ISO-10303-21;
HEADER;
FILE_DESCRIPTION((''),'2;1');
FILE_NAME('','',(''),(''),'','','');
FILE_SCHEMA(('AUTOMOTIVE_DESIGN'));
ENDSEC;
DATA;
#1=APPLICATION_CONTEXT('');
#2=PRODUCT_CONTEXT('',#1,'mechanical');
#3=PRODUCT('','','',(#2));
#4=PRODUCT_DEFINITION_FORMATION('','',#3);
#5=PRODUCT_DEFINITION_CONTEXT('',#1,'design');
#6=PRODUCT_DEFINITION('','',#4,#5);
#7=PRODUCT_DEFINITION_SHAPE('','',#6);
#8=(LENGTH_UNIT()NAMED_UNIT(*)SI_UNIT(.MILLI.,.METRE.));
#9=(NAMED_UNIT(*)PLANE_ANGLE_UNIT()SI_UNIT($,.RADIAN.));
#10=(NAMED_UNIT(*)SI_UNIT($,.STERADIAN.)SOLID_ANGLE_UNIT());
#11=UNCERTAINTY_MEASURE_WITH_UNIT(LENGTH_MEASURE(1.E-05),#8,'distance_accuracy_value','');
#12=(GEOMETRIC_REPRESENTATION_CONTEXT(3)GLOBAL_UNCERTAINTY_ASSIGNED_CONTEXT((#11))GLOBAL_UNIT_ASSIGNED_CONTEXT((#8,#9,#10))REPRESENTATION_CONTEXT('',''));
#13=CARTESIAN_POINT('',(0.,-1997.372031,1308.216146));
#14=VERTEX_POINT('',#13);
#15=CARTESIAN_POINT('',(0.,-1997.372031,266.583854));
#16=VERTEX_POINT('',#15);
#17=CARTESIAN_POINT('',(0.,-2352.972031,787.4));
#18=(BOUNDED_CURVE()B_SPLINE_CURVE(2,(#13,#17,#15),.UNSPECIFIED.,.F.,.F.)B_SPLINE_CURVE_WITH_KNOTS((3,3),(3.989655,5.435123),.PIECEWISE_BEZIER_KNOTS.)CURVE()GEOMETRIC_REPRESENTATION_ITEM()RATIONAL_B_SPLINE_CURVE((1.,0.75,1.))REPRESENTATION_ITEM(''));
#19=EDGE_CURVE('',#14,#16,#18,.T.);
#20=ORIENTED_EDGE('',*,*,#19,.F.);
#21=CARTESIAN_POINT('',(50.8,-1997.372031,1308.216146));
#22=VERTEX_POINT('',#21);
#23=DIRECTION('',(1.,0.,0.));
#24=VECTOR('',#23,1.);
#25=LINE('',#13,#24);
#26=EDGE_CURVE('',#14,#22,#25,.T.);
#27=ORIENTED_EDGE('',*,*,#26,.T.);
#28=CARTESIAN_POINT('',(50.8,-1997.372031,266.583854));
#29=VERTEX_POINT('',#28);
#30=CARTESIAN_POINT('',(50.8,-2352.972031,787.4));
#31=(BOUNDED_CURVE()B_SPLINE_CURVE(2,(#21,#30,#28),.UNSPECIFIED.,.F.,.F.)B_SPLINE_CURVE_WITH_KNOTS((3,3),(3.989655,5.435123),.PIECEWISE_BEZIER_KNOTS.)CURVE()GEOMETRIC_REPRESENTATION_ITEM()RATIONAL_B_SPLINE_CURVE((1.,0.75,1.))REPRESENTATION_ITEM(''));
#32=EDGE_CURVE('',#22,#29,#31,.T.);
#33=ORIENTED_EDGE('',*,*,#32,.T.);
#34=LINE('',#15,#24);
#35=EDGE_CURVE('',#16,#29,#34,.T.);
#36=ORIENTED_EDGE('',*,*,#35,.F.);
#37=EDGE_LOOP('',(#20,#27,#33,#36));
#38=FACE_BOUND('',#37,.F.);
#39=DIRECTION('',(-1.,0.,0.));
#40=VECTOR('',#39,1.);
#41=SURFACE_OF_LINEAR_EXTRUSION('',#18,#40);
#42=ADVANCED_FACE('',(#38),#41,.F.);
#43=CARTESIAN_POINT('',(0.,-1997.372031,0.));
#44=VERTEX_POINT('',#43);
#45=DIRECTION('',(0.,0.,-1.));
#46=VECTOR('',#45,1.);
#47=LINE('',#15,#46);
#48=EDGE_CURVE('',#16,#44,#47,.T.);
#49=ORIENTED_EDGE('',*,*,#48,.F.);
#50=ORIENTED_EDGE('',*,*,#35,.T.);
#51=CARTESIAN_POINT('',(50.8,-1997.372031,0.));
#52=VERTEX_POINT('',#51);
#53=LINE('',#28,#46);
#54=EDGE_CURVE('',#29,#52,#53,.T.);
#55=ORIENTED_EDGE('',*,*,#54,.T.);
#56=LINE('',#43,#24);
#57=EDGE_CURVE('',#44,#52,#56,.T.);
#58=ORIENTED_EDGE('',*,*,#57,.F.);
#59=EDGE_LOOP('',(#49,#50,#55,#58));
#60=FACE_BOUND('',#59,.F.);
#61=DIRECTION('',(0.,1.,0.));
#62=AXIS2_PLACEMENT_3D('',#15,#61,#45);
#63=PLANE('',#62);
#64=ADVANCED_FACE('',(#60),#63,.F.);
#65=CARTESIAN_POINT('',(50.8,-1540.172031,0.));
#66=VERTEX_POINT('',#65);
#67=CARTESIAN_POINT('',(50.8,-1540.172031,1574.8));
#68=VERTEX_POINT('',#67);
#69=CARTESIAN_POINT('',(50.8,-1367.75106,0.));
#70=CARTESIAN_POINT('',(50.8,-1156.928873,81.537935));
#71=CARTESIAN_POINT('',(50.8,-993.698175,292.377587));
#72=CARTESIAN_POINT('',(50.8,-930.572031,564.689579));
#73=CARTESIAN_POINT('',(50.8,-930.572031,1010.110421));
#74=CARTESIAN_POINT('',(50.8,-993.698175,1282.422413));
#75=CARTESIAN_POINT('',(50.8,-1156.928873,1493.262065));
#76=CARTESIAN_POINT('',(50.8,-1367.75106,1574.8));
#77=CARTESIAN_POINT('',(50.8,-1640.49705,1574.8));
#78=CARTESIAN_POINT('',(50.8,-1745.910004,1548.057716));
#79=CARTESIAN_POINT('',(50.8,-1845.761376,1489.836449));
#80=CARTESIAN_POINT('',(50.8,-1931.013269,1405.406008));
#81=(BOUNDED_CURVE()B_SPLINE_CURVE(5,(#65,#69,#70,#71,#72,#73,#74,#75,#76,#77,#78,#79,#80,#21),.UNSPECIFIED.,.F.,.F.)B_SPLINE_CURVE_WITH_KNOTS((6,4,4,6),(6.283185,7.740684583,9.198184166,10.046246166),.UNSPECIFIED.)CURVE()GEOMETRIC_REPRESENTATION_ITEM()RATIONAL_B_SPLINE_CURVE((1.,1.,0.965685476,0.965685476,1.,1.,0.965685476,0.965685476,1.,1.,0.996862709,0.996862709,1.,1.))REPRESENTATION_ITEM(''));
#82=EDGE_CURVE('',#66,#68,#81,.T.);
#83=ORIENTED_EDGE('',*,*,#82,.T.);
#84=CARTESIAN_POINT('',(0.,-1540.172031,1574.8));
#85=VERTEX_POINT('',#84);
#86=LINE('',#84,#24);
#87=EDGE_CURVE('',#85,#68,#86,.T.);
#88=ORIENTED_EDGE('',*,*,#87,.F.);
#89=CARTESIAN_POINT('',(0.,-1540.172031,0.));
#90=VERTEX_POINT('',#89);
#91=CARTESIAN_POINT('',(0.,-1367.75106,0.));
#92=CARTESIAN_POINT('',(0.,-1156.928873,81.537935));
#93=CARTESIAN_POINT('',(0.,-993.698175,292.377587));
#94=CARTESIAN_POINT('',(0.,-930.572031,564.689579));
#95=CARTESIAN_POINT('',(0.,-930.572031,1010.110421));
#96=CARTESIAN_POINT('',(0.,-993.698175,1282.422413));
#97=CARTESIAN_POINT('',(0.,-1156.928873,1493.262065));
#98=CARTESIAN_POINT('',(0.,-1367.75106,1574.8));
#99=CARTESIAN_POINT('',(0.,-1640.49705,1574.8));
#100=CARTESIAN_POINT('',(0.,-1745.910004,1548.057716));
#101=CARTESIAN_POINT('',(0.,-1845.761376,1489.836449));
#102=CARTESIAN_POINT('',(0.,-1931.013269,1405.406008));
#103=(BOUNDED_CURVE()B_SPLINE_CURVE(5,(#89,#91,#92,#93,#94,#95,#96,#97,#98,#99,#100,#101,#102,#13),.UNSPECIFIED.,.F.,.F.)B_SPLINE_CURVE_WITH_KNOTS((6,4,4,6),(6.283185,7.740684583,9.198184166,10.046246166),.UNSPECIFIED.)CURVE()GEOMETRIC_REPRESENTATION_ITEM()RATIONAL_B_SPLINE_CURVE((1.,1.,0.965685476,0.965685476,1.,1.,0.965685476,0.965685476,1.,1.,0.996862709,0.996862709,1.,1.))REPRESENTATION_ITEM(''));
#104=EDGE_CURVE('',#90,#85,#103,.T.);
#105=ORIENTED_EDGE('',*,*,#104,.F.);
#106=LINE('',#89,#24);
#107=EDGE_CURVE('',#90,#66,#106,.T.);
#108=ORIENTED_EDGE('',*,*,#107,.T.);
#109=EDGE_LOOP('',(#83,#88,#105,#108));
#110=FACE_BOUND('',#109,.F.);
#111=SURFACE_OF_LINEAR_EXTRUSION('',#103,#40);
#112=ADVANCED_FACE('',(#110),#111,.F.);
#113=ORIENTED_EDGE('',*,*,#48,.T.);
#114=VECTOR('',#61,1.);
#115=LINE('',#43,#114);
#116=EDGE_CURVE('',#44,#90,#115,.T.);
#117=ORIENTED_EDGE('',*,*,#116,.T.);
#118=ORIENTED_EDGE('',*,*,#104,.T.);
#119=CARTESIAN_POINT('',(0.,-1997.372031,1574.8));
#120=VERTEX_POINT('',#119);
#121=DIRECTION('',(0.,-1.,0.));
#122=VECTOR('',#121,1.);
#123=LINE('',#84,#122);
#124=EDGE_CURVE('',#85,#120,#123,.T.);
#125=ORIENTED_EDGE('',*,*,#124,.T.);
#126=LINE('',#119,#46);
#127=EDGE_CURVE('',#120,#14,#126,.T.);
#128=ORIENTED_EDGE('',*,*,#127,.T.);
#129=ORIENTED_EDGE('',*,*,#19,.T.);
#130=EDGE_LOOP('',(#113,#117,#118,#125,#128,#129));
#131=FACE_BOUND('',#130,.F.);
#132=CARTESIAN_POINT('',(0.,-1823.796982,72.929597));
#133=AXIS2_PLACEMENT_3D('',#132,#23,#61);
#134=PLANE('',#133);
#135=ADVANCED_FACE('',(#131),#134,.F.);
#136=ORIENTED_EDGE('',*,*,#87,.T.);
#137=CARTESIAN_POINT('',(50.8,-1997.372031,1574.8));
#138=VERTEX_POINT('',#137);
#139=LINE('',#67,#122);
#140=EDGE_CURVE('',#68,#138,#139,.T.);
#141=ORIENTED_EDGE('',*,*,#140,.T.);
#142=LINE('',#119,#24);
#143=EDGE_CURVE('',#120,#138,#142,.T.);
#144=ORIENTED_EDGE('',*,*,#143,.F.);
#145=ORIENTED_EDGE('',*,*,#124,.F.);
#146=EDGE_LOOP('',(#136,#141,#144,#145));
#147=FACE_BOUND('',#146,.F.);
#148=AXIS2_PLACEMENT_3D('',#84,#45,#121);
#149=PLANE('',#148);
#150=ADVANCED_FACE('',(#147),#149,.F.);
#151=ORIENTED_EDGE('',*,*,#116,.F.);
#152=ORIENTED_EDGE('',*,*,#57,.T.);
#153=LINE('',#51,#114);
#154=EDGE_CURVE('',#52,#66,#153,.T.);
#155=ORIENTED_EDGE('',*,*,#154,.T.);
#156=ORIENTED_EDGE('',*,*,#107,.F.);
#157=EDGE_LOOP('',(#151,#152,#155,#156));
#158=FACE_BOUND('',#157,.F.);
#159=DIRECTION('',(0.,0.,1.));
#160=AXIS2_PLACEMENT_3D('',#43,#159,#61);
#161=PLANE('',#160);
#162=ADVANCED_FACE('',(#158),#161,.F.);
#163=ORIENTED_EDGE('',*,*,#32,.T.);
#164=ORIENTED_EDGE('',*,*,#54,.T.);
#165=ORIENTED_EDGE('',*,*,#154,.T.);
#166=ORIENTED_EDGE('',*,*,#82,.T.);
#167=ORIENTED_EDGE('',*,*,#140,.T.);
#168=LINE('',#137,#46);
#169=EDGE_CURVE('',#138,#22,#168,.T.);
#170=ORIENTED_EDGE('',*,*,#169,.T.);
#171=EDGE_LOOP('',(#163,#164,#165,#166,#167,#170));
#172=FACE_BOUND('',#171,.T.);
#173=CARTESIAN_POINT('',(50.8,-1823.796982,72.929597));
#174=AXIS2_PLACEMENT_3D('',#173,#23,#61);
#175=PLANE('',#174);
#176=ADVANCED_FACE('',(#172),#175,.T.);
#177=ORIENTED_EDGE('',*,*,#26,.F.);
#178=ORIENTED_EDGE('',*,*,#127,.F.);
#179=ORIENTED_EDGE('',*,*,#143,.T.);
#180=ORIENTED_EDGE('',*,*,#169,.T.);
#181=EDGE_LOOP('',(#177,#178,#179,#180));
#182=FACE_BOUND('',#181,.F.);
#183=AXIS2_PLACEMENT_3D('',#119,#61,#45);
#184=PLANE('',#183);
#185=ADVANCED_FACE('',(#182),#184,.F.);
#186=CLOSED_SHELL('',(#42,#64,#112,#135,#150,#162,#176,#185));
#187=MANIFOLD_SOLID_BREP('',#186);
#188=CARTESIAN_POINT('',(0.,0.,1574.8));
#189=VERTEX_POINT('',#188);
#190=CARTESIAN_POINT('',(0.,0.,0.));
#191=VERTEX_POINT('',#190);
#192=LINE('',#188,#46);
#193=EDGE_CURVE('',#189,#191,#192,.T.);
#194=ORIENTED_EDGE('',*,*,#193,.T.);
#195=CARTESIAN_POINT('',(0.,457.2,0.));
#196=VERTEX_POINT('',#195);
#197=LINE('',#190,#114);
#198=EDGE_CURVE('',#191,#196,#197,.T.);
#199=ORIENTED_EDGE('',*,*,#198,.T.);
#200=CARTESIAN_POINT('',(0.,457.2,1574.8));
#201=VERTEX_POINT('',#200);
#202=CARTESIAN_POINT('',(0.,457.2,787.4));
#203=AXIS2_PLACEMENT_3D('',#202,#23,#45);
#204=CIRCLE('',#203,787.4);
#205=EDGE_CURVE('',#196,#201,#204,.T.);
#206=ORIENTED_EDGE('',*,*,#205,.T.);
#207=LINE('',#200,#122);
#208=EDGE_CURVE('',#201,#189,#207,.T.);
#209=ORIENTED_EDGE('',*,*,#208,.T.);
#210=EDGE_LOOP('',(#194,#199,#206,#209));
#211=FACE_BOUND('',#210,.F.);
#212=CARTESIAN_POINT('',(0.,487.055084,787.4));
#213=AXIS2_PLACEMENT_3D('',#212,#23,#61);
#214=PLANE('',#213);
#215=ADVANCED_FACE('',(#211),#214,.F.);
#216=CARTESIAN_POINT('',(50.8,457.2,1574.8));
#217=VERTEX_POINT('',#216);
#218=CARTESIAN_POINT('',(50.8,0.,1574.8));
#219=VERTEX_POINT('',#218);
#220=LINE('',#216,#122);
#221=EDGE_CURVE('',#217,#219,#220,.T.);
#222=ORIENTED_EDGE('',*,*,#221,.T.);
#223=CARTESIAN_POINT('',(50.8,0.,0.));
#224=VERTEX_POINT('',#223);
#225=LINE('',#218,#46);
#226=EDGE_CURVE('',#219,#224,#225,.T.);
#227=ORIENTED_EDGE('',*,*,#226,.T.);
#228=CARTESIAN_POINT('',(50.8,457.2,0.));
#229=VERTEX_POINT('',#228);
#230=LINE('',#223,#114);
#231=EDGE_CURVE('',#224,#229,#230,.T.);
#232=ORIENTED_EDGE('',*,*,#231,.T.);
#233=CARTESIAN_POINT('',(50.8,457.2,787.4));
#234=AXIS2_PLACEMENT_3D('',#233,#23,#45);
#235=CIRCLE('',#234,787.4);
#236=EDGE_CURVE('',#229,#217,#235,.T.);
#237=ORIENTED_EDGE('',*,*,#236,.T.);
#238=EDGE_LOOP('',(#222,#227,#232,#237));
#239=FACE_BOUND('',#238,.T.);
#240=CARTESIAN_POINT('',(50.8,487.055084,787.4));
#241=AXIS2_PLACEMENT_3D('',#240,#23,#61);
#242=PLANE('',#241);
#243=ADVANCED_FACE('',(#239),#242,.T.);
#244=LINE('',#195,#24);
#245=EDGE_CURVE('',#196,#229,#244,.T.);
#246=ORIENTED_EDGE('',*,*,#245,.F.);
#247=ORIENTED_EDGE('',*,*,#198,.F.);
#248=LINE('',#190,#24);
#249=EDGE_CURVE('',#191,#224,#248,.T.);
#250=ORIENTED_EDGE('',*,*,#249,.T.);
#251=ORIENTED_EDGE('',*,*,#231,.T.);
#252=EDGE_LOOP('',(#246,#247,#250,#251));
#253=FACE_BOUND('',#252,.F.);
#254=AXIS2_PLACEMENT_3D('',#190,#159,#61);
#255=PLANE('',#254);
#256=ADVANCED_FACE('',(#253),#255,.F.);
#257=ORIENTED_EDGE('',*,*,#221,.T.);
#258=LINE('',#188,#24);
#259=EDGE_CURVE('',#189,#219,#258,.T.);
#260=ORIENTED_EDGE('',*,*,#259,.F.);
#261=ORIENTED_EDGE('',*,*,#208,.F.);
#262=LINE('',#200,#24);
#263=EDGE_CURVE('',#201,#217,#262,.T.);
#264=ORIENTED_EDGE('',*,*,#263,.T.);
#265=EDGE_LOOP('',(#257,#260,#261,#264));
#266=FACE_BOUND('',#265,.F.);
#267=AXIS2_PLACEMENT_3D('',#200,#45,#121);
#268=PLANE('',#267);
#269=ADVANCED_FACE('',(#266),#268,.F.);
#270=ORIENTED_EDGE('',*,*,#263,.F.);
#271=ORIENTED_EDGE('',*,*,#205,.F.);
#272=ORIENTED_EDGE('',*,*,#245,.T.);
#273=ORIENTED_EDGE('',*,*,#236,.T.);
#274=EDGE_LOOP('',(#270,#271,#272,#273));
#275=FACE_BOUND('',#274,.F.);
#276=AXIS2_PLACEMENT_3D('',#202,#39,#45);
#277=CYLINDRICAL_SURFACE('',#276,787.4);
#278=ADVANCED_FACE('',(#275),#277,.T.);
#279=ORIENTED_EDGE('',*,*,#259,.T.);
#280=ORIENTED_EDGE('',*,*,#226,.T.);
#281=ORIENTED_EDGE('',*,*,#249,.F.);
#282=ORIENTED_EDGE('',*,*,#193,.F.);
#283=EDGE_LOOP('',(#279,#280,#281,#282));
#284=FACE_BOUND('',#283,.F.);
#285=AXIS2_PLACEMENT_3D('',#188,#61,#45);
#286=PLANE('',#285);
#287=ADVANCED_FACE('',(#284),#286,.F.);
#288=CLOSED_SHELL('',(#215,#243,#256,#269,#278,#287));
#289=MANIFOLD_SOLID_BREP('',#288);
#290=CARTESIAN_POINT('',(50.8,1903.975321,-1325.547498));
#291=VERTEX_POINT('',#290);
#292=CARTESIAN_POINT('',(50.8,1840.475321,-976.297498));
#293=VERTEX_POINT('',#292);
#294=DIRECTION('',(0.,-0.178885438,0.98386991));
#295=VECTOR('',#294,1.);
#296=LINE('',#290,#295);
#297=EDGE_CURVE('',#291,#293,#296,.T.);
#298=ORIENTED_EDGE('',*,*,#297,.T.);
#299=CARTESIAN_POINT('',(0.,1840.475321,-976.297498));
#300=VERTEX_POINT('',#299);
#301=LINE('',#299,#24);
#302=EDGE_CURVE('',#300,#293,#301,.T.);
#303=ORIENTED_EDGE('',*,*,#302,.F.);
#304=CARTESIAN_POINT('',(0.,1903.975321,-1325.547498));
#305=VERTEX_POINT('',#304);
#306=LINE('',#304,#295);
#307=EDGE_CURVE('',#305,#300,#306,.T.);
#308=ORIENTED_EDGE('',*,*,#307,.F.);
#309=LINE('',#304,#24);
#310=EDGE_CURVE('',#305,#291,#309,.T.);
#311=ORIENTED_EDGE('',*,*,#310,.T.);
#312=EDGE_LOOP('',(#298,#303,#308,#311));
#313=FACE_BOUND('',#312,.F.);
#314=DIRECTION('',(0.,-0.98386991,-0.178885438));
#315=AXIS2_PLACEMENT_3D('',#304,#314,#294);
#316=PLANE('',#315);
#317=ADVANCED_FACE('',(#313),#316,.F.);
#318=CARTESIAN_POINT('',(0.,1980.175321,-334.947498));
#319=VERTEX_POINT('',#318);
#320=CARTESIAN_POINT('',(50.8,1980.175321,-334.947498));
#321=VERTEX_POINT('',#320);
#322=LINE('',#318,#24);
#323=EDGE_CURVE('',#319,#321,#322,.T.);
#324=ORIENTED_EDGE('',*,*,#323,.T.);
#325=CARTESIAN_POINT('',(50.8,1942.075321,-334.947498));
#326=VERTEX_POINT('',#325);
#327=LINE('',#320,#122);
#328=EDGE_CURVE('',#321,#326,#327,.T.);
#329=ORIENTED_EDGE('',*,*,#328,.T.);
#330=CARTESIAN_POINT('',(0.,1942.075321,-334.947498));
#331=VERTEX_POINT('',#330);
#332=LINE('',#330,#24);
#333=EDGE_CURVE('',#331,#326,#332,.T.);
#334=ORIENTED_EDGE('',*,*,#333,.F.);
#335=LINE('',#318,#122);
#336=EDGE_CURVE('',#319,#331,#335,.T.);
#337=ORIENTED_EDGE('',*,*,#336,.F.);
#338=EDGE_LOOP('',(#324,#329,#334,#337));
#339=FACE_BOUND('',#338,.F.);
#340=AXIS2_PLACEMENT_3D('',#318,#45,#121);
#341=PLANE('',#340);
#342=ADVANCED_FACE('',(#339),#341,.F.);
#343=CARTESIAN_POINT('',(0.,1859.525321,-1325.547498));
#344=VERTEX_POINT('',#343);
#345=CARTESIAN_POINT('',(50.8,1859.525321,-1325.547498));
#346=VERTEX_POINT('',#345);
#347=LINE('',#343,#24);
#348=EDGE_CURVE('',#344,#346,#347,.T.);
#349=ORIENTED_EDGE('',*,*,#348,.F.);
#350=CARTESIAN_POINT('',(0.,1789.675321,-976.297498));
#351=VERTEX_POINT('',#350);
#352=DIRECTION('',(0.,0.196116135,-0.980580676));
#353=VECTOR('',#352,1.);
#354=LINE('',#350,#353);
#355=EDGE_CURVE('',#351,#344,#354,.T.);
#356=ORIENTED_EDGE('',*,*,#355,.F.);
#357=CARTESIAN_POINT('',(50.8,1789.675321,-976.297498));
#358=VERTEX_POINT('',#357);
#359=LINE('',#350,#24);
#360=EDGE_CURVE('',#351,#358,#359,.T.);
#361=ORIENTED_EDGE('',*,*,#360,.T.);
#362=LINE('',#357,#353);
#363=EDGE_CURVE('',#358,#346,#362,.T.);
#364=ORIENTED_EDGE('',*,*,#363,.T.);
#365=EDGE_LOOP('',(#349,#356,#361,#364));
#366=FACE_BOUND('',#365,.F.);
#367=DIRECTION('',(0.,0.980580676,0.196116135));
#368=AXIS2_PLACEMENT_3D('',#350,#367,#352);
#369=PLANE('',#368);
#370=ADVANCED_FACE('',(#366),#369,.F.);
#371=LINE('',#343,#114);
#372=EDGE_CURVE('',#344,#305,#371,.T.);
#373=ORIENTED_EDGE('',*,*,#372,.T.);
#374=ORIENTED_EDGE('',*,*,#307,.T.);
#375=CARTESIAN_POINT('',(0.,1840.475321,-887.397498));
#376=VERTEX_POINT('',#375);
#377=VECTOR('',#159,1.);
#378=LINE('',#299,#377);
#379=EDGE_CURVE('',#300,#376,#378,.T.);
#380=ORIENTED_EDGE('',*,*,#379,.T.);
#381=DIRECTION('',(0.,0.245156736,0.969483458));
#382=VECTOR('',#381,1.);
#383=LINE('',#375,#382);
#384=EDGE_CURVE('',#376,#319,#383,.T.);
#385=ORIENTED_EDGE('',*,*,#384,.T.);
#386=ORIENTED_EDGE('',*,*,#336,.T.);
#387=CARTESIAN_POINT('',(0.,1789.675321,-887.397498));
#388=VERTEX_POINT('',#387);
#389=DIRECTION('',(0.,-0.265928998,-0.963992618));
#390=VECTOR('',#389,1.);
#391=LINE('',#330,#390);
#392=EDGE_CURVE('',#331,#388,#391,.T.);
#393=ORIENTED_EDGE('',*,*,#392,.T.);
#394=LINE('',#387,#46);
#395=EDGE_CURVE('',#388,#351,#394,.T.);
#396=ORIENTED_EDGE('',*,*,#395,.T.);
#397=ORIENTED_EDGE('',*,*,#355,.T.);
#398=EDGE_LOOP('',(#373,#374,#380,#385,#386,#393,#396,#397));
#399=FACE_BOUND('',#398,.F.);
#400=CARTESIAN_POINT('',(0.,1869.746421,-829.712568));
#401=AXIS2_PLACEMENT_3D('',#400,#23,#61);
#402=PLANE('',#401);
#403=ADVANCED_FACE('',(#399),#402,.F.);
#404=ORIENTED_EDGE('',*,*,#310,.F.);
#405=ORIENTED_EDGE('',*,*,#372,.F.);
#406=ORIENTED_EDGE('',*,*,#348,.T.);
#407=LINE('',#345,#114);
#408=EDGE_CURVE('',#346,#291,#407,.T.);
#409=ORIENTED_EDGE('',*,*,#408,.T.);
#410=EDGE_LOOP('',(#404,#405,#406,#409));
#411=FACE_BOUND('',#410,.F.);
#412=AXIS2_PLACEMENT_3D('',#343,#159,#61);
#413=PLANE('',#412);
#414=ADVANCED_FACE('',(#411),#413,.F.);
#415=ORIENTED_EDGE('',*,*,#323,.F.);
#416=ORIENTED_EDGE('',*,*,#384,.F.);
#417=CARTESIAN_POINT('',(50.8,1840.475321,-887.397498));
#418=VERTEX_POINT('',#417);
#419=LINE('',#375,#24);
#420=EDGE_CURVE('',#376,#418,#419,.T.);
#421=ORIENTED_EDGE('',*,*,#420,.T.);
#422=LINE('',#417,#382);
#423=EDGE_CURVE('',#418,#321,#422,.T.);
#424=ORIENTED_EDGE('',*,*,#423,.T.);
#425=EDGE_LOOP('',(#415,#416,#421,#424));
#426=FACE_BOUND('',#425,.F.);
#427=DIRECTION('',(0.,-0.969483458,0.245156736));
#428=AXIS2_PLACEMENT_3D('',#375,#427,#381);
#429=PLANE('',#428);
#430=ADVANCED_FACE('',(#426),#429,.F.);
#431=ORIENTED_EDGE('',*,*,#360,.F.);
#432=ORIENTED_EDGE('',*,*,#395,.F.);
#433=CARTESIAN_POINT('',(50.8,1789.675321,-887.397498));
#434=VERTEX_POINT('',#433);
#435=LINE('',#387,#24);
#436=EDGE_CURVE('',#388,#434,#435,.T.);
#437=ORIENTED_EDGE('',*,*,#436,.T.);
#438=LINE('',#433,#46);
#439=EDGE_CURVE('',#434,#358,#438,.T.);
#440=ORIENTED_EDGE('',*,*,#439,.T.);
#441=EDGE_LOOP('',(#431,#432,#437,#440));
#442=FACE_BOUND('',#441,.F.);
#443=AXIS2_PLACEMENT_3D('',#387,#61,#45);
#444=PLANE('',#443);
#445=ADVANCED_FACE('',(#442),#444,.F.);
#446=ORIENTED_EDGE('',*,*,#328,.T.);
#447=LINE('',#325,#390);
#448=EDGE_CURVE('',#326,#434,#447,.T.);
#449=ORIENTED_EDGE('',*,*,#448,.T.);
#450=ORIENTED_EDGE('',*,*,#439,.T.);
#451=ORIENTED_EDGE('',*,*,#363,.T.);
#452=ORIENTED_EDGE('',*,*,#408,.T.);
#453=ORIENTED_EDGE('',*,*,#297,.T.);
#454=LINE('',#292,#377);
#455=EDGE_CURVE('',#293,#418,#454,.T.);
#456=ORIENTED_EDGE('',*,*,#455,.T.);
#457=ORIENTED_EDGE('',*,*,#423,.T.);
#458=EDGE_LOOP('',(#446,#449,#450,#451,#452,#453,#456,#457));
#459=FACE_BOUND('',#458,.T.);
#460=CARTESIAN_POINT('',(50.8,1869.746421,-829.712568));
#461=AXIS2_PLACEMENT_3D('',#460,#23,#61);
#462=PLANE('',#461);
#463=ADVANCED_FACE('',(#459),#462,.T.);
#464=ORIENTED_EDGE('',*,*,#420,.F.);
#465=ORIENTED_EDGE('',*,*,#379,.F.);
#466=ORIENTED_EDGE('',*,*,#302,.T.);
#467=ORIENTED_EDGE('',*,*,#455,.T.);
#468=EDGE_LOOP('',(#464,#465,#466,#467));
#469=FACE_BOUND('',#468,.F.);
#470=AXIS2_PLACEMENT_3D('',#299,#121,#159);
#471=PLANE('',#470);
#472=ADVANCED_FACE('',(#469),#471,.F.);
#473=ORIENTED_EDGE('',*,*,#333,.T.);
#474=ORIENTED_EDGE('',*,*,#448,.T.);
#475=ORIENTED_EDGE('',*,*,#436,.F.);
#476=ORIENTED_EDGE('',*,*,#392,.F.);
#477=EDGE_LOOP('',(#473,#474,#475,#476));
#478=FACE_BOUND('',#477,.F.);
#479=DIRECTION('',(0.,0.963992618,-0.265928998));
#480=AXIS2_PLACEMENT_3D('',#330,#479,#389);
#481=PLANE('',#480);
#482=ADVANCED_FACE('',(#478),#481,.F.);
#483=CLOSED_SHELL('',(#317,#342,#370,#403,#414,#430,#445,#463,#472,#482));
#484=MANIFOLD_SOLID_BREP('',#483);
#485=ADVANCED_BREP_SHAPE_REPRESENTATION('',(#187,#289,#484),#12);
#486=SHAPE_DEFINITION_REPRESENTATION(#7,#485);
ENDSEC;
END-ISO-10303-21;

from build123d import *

# Parameters (mm, degrees)
F1_DEPTH = 50.8


with BuildPart() as f1:
    # F0 (on Right) → F1 (new body)
    with BuildSketch(Plane.YZ):
        with BuildLine():
            Line((0, 1574.8), (0, 0))
            Line((0, 0), (457.2, 0))
            ThreePointArc((457.2, 0), (1244.6, 787.4), (457.2, 1574.8))
            Line((457.2, 1574.8), (0, 1574.8))
        make_face()
        with BuildLine():
            Line((-1997.372031, 266.583854), (-1997.372031, 0))
            Line((-1997.372031, 0), (-1540.172031, 0))
            add(Edge.make_bspline(
                [(-1997.372031, 266.583854), (-1815.355365, 0), (-1540.172031, 0)],
                knots=[5.435123, 5.435123, 5.435123, 6.283185, 6.283185, 6.283185], degree=2, weights=[1, 0.911438, 1]))
        make_face()
        with BuildLine():
            add(Edge.make_bspline(
                [(-1997.372031, 1308.216146), (-2352.972031, 787.4), (-1997.372031, 266.583854)],
                knots=[3.989655, 3.989655, 3.989655, 5.435123, 5.435123, 5.435123], degree=2, weights=[1, 0.75, 1]))
            Line((-1997.372031, 266.583854), (-1997.372031, 787.4))
            Line((-1997.372031, 787.4), (-1997.372031, 1308.216146))
        make_face()
        with BuildLine():
            Line((-1997.372031, 787.4), (-1997.372031, 266.583854))
            add(Edge.make_bspline(
                [(-1997.372031, 266.583854), (-1815.355365, 0), (-1540.172031, 0)],
                knots=[5.435123, 5.435123, 5.435123, 6.283185, 6.283185, 6.283185], degree=2, weights=[1, 0.911438, 1]))
            add(Edge.make_bspline(
                [(-1540.172031, 0), (-930.572031, 0), (-930.572031, 787.4)],
                knots=[0, 0, 0, 1.570796, 1.570796, 1.570796], degree=2, weights=[1, 0.707107, 1]))
            Line((-930.572031, 787.4), (-1463.972031, 787.4))
            Line((-1463.972031, 787.4), (-1540.172031, 787.4))
            Line((-1540.172031, 787.4), (-1997.372031, 787.4))
        make_face()
        with BuildLine():
            Line((-1997.372031, 1308.216146), (-1997.372031, 787.4))
            Line((-1997.372031, 787.4), (-1540.172031, 787.4))
            Line((-1540.172031, 787.4), (-1463.972031, 787.4))
            Line((-1463.972031, 787.4), (-930.572031, 787.4))
            add(Edge.make_bspline(
                [(-930.572031, 787.4), (-930.572031, 1574.8), (-1540.172031, 1574.8)],
                knots=[1.570796, 1.570796, 1.570796, 3.141593, 3.141593, 3.141593], degree=2, weights=[1, 0.707107, 1]))
            add(Edge.make_bspline(
                [(-1540.172031, 1574.8), (-1815.355365, 1574.8), (-1997.372031, 1308.216146)],
                knots=[3.141593, 3.141593, 3.141593, 3.989655, 3.989655, 3.989655], degree=2, weights=[1, 0.911438, 1]))
        make_face()
        with BuildLine():
            Line((-1997.372031, 1574.8), (-1997.372031, 1308.216146))
            add(Edge.make_bspline(
                [(-1540.172031, 1574.8), (-1815.355365, 1574.8), (-1997.372031, 1308.216146)],
                knots=[3.141593, 3.141593, 3.141593, 3.989655, 3.989655, 3.989655], degree=2, weights=[1, 0.911438, 1]))
            Line((-1540.172031, 1574.8), (-1997.372031, 1574.8))
        make_face()
        Polygon((1840.475321, -976.297498), (1840.475321, -887.397498), (1980.175321, -334.947498), (1942.075321, -334.947498), (1789.675321, -887.397498), (1789.675321, -976.297498), (1859.525321, -1325.547498), (1903.975321, -1325.547498), align=None)
    extrude(amount=F1_DEPTH)


solid = f1.part
